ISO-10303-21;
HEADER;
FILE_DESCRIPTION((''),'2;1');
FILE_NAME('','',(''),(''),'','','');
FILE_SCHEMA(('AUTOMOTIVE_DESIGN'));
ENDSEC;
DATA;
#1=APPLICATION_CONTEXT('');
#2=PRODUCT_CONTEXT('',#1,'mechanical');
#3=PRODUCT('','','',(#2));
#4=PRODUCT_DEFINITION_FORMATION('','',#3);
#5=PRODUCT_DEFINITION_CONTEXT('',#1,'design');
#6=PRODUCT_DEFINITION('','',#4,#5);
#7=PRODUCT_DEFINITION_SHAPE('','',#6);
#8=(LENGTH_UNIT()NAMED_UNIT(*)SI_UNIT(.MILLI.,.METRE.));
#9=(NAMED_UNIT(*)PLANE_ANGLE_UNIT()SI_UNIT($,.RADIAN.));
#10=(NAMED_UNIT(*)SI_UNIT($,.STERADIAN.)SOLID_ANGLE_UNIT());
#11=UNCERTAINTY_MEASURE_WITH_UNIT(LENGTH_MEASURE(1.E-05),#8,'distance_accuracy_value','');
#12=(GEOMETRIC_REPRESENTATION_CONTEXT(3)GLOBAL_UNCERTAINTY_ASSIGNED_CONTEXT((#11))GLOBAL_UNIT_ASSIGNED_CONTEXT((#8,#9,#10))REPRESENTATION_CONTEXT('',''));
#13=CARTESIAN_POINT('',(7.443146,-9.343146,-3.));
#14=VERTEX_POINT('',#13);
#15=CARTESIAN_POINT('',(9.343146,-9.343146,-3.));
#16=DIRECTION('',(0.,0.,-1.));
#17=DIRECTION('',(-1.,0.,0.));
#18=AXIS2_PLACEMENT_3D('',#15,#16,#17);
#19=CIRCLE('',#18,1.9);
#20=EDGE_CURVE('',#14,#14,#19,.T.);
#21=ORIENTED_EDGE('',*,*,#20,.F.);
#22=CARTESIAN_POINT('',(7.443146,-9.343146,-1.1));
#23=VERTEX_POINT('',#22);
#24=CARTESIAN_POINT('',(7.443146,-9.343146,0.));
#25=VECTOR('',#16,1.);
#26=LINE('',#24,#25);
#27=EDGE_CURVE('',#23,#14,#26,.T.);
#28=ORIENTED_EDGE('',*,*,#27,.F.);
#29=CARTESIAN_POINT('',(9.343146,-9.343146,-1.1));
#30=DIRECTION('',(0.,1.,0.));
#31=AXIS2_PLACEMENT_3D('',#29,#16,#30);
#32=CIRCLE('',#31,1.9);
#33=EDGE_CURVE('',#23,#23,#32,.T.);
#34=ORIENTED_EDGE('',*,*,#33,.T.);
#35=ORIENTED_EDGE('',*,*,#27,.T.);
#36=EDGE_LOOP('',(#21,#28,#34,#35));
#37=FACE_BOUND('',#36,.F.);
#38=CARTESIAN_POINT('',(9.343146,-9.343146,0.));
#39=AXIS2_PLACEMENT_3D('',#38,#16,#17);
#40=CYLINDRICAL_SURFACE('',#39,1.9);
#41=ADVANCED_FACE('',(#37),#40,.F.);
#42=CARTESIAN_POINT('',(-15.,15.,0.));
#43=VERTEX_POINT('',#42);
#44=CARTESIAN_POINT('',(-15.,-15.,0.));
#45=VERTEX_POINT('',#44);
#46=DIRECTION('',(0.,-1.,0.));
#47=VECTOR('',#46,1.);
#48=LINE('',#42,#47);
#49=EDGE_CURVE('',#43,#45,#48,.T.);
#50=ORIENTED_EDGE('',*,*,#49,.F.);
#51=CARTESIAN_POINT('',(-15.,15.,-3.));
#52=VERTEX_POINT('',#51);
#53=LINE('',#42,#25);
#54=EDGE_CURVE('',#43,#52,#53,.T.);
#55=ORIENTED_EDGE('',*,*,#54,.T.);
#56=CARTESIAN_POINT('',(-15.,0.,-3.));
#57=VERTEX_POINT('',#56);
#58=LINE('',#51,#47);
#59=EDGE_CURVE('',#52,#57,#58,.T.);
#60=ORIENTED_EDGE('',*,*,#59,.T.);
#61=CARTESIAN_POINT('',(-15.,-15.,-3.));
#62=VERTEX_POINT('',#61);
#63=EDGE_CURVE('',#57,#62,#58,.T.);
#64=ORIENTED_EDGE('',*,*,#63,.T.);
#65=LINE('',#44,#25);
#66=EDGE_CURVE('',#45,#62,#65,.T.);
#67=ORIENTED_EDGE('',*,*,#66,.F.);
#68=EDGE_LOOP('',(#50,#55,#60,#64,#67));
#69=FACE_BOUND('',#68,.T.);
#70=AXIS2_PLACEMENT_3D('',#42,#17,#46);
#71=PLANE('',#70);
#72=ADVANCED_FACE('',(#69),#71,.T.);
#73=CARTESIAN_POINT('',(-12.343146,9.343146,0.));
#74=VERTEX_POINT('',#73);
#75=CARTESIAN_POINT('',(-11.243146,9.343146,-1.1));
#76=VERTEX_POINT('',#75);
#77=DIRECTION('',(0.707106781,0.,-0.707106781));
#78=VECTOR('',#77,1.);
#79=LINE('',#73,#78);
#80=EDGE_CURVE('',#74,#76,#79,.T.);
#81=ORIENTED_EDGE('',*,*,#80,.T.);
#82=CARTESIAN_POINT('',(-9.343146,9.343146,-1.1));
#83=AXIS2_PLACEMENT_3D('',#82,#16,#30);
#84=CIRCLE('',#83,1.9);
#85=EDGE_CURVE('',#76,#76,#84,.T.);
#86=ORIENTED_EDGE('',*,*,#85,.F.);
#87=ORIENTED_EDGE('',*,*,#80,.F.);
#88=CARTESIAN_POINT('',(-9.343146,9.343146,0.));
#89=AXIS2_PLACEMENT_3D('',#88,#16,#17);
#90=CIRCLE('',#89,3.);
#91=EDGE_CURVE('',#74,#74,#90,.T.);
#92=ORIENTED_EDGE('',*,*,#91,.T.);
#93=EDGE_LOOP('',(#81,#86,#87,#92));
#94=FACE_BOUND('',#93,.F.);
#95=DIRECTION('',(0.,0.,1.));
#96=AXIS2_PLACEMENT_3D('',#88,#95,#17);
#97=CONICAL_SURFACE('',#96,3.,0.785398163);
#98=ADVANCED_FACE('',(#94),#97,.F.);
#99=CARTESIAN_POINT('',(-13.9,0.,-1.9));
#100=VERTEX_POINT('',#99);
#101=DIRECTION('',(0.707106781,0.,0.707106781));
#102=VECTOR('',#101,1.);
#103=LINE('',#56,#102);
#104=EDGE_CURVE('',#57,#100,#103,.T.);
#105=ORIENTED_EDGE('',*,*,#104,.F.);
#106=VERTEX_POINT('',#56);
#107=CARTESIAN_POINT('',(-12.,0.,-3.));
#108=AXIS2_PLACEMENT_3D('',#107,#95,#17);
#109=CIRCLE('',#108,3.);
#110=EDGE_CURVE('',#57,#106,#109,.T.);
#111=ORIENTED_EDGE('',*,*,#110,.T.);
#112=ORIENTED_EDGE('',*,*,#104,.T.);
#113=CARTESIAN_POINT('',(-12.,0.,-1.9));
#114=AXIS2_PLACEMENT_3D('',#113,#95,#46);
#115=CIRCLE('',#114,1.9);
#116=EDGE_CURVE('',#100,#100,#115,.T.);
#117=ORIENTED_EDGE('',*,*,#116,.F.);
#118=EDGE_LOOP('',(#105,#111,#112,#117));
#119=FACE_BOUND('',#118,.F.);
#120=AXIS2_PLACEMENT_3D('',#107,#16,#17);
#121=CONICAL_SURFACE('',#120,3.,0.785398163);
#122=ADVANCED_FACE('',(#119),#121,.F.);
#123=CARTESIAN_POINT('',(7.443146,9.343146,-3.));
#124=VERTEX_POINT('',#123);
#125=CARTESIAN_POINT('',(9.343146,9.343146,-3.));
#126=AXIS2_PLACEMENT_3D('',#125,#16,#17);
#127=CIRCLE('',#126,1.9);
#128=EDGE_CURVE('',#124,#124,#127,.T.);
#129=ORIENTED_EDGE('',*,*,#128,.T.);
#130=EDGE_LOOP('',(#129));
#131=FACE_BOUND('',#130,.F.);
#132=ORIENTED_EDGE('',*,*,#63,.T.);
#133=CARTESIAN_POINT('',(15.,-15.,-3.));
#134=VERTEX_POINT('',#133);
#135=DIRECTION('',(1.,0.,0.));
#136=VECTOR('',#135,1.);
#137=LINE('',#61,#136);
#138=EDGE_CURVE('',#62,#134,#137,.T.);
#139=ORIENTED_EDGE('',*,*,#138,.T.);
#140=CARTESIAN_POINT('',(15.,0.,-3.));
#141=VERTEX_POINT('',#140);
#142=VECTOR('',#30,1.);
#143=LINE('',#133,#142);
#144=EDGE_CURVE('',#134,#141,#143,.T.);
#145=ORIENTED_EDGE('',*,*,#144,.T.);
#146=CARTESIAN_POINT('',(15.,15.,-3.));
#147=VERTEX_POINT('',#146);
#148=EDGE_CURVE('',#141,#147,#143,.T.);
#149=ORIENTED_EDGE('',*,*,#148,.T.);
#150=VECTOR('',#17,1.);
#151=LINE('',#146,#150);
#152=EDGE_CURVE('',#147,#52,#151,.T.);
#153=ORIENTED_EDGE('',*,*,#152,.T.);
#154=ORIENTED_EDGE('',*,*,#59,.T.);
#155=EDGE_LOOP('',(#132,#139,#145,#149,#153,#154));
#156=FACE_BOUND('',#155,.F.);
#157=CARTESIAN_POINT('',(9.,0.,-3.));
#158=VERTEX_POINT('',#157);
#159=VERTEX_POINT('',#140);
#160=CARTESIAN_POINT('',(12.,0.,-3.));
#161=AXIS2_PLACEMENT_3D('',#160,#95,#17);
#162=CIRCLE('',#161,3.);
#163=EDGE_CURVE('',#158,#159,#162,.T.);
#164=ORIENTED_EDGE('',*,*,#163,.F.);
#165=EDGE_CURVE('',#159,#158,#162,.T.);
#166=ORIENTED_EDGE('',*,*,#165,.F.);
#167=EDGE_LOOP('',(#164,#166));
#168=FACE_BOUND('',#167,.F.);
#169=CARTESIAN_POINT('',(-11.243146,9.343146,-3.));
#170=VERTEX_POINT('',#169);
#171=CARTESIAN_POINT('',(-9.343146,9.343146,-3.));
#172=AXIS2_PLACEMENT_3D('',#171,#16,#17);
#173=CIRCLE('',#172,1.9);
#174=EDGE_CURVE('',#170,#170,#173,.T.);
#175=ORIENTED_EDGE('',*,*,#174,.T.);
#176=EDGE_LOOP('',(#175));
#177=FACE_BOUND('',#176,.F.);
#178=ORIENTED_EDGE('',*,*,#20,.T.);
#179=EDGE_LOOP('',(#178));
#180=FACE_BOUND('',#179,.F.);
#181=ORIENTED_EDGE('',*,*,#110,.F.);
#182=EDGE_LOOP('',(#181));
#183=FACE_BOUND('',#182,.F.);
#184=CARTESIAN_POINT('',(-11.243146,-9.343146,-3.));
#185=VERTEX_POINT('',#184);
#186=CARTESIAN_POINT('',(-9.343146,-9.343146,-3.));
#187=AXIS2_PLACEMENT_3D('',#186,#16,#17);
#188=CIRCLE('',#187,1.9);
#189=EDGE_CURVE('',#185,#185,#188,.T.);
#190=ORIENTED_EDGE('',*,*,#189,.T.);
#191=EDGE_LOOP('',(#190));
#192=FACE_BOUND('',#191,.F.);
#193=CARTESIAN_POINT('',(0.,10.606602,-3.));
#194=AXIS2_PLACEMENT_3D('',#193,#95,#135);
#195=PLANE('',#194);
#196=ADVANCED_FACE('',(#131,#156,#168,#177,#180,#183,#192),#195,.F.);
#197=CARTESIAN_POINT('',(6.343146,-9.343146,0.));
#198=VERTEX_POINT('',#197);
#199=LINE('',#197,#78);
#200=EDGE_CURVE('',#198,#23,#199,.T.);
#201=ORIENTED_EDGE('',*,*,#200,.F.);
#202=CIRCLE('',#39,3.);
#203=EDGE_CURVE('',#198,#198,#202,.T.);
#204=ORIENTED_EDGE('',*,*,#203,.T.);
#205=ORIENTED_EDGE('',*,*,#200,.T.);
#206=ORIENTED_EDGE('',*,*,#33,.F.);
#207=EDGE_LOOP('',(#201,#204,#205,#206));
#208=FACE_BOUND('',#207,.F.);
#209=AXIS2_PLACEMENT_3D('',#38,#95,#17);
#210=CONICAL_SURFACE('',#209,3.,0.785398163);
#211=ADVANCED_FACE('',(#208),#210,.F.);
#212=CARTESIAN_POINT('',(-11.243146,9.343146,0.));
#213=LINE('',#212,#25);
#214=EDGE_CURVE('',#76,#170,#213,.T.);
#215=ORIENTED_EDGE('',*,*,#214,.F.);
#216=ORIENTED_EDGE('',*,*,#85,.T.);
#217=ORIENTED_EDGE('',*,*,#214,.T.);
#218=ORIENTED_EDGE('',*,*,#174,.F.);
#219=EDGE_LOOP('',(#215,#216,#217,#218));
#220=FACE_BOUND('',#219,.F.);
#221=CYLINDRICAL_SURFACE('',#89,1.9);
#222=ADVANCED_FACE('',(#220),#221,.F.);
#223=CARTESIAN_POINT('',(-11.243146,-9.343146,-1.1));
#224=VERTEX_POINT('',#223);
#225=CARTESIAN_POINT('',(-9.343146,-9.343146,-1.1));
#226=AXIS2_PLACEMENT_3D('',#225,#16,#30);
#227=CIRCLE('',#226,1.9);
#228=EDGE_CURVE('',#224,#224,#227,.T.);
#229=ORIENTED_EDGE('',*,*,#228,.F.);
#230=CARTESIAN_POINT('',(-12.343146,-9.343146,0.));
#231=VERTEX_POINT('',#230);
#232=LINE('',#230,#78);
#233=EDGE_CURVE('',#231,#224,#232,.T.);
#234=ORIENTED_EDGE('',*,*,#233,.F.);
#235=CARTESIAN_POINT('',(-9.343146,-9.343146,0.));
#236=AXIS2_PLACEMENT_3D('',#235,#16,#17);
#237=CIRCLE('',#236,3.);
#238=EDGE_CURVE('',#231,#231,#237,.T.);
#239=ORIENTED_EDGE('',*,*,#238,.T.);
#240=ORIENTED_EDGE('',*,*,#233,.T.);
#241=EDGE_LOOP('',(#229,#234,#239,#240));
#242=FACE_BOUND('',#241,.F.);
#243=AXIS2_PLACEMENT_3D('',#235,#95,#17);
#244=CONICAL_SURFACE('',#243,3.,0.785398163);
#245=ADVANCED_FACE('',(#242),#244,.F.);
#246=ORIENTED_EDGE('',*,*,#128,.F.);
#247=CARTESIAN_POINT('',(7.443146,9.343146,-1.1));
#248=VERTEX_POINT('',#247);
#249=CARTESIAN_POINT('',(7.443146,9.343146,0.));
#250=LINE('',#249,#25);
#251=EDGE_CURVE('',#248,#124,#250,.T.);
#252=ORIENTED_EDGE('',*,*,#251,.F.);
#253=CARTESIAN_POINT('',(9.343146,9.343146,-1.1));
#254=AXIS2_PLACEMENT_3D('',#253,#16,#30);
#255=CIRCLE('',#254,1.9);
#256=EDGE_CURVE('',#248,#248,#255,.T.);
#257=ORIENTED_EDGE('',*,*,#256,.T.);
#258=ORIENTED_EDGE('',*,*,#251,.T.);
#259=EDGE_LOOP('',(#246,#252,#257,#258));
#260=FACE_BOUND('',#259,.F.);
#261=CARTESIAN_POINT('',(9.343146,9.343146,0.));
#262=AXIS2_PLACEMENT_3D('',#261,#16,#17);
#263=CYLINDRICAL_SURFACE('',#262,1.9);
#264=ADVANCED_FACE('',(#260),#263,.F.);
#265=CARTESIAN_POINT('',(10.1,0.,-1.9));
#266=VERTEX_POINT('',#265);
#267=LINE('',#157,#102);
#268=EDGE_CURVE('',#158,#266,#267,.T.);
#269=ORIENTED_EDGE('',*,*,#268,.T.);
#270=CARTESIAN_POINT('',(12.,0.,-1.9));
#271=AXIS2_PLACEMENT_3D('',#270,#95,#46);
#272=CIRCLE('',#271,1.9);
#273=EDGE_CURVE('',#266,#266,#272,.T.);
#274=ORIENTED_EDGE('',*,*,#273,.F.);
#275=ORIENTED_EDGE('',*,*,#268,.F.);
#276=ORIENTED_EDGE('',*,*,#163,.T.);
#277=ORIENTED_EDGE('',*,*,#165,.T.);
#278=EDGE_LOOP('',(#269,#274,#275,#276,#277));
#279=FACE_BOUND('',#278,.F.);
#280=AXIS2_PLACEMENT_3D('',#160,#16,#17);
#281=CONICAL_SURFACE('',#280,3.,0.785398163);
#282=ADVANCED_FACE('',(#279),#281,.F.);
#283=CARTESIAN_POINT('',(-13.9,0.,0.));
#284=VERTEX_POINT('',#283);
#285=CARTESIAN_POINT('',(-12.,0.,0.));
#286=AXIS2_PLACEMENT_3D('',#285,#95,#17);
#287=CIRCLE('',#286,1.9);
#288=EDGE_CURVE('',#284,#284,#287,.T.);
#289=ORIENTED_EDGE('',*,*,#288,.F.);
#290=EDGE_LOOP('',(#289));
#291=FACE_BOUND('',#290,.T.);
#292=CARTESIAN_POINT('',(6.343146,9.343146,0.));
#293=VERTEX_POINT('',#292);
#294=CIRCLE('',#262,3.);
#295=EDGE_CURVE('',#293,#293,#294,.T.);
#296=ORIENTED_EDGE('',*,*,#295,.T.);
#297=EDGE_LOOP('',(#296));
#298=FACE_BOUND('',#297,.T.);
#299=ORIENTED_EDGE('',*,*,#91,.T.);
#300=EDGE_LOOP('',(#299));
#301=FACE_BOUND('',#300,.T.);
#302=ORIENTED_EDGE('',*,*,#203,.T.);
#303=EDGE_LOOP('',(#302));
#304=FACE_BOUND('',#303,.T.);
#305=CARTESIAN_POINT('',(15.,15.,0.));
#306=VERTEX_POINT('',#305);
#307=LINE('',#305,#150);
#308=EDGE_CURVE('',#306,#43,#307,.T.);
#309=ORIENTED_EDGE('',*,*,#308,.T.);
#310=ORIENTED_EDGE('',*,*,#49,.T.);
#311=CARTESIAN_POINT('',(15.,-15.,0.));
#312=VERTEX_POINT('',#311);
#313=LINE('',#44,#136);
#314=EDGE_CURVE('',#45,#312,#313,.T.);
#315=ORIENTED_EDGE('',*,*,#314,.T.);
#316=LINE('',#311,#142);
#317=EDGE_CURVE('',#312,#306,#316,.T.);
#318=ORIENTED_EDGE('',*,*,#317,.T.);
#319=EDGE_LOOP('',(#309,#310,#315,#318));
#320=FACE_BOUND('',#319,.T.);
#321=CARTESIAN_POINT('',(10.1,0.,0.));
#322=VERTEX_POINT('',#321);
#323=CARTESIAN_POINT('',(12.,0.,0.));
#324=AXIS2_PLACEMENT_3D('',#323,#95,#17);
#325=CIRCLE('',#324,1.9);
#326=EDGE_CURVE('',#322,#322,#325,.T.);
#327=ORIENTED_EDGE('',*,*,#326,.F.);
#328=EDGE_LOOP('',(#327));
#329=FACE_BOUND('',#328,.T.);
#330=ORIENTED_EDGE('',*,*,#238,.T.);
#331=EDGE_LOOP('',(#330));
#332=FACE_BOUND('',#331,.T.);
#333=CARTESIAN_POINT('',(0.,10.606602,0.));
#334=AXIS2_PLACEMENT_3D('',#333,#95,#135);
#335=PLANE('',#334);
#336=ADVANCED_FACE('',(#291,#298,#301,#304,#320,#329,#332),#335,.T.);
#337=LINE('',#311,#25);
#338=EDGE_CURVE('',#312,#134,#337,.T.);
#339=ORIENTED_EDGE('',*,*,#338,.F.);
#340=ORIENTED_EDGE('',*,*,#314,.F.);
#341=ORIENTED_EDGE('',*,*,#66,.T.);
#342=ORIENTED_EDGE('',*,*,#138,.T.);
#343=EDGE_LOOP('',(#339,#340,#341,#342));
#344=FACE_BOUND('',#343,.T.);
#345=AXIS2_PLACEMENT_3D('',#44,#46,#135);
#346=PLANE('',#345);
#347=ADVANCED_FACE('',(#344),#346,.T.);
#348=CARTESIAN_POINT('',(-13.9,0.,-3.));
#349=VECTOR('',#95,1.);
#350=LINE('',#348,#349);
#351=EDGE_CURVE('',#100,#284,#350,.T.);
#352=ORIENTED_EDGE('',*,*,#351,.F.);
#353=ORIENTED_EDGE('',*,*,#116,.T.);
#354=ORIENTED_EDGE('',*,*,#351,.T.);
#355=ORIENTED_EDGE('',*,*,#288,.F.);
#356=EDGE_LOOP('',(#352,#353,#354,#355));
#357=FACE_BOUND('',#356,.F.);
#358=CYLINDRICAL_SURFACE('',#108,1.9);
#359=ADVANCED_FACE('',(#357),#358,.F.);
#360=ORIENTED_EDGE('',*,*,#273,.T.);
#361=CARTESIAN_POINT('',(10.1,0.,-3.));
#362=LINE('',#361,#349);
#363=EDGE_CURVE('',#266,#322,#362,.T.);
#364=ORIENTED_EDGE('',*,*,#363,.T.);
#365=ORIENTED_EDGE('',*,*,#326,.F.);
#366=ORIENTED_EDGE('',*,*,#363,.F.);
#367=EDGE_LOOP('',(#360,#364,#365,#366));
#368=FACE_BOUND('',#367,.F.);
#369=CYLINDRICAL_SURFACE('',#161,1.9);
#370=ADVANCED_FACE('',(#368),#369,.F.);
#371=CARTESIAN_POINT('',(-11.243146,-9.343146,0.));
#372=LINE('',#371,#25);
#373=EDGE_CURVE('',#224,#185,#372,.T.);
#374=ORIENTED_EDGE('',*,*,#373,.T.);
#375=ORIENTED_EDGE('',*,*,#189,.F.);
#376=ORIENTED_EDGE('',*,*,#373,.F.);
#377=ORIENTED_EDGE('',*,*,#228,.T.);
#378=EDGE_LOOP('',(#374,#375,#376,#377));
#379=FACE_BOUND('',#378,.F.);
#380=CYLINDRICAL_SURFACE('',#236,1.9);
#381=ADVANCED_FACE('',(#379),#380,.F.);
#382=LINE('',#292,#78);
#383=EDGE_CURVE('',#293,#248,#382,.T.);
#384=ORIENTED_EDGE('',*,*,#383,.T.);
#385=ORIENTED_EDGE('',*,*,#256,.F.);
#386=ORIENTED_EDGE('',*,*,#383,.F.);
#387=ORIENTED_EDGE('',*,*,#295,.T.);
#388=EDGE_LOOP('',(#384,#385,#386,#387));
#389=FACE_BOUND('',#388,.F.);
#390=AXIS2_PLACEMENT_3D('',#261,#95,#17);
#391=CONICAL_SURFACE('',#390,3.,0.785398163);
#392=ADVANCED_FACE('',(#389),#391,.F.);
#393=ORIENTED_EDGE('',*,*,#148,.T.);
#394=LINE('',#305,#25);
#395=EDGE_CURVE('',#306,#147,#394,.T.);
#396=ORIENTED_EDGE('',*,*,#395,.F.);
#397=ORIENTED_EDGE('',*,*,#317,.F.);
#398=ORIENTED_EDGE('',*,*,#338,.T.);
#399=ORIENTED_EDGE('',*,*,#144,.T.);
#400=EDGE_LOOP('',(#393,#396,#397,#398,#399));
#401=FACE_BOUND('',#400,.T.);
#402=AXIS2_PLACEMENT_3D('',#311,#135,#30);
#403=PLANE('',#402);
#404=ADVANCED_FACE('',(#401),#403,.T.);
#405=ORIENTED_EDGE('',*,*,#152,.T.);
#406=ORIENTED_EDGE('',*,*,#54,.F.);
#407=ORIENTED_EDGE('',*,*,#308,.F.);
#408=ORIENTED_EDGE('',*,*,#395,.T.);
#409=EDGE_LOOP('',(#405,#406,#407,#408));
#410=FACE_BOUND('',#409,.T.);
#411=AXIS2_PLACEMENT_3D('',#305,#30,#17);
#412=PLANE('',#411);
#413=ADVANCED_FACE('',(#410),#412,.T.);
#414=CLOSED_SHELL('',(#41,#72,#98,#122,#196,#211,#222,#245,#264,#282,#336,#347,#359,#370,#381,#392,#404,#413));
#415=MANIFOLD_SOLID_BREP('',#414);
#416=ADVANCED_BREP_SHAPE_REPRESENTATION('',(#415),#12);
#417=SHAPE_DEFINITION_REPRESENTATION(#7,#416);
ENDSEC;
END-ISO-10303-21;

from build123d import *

# Parameters (mm, degrees)
F1_DEPTH       = 3
F2_D           = 3.8
F2_CSINK_D     = 6
F2_CSINK_ANGLE = 90
F4_D           = 3.8
F4_CSINK_D     = 6
F4_CSINK_ANGLE = 90


with BuildPart() as f1:
    # F0 (on Top) → F1 (new body)
    with BuildSketch(Plane.XY):
        Polygon((0, 0), (15, 15), (-15, 15), align=None)
        Polygon((15, -15), (15, 15), (0, 0), align=None)
        Polygon((0, 0), (-15, 15), (-15, -15), align=None)
        Polygon((-15, -15), (15, -15), (0, 0), align=None)
    extrude(amount=-F1_DEPTH)

    # F2 (through all)
    with Locations(Plane.XY):
        with Locations((-9.343146, 9.343146), (9.343146, 9.343146), (-9.343146, -9.343146), (9.343146, -9.343146)):
            CounterSinkHole(F2_D / 2, F2_CSINK_D / 2, counter_sink_angle=F2_CSINK_ANGLE)

    # F4 (through all)
    with Locations(Plane(origin=(0, 0, -3), x_dir=(1, 0, 0), z_dir=(0, 0, -1))):
        with Locations((-12, 0), (12, 0)):
            CounterSinkHole(F4_D / 2, F4_CSINK_D / 2, counter_sink_angle=F4_CSINK_ANGLE)


solid = f1.part
